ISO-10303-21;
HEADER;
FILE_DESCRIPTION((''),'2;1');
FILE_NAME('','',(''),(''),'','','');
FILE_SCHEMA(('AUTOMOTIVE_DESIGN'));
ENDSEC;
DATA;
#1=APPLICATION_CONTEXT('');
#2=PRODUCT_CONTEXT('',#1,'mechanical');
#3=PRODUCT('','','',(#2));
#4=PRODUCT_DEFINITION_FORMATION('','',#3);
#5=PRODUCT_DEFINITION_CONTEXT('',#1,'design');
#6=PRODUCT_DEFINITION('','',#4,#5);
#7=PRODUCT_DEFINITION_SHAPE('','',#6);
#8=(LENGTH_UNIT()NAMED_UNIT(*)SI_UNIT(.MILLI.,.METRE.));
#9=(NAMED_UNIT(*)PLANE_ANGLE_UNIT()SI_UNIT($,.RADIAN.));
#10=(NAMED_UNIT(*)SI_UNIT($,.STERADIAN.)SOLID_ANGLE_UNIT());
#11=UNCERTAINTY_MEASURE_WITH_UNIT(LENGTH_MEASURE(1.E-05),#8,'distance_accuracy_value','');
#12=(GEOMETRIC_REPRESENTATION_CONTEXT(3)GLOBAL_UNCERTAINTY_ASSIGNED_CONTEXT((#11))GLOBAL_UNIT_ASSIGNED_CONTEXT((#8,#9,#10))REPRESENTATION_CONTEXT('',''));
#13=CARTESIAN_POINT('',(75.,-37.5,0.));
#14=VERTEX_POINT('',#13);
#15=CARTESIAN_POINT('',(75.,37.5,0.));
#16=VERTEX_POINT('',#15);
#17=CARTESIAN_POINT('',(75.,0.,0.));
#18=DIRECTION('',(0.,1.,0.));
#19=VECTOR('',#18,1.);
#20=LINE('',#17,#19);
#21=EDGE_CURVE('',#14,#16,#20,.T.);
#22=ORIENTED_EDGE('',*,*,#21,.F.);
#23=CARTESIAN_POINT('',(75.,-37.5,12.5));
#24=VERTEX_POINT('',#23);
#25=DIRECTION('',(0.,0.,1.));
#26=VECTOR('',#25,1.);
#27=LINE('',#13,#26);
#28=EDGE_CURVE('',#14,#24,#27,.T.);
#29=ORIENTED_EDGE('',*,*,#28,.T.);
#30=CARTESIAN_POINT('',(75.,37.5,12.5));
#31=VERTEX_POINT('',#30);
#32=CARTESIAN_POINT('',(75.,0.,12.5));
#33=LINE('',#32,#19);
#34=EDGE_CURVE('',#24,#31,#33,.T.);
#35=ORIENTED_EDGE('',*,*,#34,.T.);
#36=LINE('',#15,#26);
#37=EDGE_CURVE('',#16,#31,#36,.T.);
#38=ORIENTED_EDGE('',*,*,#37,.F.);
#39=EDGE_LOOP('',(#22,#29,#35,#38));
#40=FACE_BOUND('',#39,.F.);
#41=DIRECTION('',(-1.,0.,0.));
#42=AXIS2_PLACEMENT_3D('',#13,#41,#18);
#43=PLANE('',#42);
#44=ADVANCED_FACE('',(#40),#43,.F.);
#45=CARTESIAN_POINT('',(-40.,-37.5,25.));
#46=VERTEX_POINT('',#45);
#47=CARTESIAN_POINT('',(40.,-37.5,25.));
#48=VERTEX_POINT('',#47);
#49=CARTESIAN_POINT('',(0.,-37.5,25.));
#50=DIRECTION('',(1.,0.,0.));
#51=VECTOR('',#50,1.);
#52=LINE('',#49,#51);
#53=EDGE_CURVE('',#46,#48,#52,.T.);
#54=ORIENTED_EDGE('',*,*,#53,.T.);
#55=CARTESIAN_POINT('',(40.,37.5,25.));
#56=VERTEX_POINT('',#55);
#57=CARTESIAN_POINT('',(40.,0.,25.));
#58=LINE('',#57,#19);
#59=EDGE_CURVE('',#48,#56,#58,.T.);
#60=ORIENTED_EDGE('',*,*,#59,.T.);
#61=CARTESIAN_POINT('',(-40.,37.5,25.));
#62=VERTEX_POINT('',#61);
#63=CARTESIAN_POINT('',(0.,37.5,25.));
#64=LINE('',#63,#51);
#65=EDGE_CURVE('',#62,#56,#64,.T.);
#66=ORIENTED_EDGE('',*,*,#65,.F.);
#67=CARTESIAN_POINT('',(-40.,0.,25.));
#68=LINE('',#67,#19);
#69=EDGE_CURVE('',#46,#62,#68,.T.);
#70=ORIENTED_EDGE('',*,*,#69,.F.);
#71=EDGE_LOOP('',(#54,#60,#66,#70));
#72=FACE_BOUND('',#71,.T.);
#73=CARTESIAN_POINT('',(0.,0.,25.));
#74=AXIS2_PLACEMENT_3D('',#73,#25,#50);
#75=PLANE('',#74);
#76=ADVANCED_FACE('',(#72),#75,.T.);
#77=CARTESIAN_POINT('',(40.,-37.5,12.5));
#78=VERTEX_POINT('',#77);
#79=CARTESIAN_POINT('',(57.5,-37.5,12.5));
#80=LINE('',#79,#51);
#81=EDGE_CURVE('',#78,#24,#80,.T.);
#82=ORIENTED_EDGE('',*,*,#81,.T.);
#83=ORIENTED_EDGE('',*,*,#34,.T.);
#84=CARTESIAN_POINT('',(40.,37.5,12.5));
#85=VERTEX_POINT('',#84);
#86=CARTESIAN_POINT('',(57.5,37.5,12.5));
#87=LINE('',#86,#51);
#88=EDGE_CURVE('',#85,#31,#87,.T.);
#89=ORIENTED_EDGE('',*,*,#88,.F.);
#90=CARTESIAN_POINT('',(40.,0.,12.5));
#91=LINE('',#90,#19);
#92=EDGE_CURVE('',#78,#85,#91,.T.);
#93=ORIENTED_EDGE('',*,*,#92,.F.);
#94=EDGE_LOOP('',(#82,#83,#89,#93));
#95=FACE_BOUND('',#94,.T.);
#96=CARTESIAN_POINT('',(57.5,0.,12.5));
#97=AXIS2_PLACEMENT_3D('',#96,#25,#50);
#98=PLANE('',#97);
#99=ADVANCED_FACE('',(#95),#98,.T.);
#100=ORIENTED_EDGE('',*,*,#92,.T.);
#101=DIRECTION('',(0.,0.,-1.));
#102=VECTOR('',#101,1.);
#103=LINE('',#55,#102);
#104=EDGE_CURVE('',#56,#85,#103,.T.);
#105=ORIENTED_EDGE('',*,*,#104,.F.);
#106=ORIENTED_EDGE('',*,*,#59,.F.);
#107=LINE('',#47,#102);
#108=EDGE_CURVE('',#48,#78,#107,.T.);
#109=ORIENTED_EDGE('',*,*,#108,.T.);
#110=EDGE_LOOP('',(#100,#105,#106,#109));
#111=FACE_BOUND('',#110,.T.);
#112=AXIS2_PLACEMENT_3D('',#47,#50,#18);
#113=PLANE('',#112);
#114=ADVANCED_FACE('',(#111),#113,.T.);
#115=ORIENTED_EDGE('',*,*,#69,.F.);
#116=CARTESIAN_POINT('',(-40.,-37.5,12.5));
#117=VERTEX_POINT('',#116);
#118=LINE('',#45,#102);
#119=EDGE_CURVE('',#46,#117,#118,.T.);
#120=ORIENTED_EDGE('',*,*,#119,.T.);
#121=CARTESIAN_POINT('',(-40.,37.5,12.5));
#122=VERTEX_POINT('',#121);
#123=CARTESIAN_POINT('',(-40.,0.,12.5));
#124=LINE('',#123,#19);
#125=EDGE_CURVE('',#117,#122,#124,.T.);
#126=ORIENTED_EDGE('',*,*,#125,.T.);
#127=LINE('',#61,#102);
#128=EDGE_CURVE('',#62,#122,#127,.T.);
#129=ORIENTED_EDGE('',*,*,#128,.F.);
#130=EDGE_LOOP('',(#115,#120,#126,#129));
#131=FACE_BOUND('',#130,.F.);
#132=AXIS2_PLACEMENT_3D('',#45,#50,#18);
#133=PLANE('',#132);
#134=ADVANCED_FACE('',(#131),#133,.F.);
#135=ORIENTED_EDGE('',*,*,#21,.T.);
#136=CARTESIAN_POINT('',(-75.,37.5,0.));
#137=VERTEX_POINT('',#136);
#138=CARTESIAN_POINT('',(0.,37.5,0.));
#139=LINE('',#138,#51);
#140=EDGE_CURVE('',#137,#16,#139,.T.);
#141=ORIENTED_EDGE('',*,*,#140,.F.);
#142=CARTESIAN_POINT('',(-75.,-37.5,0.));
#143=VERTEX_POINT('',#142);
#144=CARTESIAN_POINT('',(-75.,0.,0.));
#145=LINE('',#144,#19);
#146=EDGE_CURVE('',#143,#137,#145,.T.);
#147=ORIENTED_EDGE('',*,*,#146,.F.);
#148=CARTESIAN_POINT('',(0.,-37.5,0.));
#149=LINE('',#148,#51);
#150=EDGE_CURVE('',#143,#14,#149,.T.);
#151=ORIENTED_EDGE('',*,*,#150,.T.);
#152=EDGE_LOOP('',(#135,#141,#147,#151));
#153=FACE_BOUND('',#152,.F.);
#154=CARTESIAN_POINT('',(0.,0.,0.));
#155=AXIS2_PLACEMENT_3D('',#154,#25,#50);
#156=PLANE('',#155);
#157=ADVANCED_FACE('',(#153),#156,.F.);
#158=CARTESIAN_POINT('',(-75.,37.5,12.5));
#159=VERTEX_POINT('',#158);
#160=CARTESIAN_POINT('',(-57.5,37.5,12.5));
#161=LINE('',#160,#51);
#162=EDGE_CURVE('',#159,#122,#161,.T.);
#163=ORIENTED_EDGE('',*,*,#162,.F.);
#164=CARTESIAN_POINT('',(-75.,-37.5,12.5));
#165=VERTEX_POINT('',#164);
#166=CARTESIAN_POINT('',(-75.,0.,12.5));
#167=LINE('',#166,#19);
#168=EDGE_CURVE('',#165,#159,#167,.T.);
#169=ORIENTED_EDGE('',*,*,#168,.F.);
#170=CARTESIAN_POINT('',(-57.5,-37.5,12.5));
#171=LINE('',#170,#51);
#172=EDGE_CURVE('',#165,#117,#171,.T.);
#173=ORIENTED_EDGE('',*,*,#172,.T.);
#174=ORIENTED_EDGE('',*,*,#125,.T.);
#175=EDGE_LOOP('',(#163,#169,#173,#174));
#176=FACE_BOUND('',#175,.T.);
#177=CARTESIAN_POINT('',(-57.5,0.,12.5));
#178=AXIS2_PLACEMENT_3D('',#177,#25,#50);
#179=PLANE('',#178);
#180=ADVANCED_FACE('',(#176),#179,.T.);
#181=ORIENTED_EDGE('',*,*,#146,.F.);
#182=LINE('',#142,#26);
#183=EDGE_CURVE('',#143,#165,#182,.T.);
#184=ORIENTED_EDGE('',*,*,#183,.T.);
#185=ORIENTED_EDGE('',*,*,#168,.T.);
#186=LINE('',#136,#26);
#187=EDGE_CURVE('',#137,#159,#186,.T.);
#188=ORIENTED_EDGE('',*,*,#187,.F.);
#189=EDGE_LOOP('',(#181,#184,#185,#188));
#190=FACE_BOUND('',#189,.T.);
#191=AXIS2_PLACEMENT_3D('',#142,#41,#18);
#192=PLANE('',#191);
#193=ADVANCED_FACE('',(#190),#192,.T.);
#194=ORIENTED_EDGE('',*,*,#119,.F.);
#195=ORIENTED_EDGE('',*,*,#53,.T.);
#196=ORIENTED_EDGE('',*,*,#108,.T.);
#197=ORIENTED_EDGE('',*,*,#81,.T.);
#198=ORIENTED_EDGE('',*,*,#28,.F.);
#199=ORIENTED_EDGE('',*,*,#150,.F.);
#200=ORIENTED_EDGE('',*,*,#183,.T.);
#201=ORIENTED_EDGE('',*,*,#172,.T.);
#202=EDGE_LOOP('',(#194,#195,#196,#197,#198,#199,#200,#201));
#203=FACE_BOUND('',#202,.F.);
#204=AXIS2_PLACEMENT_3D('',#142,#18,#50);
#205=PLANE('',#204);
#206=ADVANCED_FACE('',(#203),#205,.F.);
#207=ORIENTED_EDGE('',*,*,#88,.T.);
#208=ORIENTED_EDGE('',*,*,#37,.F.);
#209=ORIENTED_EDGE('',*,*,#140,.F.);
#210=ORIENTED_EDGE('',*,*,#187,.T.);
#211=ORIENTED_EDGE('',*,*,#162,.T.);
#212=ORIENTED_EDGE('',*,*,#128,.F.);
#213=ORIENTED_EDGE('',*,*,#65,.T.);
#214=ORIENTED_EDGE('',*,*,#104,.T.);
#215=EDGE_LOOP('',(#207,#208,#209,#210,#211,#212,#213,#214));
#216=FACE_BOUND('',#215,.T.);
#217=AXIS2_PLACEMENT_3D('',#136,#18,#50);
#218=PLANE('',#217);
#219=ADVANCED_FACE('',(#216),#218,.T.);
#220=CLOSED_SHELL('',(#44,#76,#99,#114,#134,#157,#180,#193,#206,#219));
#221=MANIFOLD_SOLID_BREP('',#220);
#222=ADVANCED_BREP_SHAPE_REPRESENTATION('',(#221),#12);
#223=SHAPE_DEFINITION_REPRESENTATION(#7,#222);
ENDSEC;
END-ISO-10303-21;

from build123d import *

# Parameters (mm, degrees)
F0_W     = 150
F0_H     = 75
F1_DEPTH = 25
F2_W     = 35
F2_H     = 75
F3_DEPTH = 12.5


with BuildPart() as f1:
    # F0 (on Top) → F1 (new body)
    with BuildSketch(Plane.XY):
        Rectangle(F0_W, F0_H)
    extrude(amount=F1_DEPTH)

    # F2 (on face) → F3 (cut)
    with BuildSketch(Plane.XY.offset(25)):
        with Locations((-57.5, 0)):
            Rectangle(F2_W, F2_H)
        with Locations((57.5, 0)):
            Rectangle(F2_W, F2_H)
    extrude(amount=-F3_DEPTH, mode=Mode.SUBTRACT)


solid = f1.part
